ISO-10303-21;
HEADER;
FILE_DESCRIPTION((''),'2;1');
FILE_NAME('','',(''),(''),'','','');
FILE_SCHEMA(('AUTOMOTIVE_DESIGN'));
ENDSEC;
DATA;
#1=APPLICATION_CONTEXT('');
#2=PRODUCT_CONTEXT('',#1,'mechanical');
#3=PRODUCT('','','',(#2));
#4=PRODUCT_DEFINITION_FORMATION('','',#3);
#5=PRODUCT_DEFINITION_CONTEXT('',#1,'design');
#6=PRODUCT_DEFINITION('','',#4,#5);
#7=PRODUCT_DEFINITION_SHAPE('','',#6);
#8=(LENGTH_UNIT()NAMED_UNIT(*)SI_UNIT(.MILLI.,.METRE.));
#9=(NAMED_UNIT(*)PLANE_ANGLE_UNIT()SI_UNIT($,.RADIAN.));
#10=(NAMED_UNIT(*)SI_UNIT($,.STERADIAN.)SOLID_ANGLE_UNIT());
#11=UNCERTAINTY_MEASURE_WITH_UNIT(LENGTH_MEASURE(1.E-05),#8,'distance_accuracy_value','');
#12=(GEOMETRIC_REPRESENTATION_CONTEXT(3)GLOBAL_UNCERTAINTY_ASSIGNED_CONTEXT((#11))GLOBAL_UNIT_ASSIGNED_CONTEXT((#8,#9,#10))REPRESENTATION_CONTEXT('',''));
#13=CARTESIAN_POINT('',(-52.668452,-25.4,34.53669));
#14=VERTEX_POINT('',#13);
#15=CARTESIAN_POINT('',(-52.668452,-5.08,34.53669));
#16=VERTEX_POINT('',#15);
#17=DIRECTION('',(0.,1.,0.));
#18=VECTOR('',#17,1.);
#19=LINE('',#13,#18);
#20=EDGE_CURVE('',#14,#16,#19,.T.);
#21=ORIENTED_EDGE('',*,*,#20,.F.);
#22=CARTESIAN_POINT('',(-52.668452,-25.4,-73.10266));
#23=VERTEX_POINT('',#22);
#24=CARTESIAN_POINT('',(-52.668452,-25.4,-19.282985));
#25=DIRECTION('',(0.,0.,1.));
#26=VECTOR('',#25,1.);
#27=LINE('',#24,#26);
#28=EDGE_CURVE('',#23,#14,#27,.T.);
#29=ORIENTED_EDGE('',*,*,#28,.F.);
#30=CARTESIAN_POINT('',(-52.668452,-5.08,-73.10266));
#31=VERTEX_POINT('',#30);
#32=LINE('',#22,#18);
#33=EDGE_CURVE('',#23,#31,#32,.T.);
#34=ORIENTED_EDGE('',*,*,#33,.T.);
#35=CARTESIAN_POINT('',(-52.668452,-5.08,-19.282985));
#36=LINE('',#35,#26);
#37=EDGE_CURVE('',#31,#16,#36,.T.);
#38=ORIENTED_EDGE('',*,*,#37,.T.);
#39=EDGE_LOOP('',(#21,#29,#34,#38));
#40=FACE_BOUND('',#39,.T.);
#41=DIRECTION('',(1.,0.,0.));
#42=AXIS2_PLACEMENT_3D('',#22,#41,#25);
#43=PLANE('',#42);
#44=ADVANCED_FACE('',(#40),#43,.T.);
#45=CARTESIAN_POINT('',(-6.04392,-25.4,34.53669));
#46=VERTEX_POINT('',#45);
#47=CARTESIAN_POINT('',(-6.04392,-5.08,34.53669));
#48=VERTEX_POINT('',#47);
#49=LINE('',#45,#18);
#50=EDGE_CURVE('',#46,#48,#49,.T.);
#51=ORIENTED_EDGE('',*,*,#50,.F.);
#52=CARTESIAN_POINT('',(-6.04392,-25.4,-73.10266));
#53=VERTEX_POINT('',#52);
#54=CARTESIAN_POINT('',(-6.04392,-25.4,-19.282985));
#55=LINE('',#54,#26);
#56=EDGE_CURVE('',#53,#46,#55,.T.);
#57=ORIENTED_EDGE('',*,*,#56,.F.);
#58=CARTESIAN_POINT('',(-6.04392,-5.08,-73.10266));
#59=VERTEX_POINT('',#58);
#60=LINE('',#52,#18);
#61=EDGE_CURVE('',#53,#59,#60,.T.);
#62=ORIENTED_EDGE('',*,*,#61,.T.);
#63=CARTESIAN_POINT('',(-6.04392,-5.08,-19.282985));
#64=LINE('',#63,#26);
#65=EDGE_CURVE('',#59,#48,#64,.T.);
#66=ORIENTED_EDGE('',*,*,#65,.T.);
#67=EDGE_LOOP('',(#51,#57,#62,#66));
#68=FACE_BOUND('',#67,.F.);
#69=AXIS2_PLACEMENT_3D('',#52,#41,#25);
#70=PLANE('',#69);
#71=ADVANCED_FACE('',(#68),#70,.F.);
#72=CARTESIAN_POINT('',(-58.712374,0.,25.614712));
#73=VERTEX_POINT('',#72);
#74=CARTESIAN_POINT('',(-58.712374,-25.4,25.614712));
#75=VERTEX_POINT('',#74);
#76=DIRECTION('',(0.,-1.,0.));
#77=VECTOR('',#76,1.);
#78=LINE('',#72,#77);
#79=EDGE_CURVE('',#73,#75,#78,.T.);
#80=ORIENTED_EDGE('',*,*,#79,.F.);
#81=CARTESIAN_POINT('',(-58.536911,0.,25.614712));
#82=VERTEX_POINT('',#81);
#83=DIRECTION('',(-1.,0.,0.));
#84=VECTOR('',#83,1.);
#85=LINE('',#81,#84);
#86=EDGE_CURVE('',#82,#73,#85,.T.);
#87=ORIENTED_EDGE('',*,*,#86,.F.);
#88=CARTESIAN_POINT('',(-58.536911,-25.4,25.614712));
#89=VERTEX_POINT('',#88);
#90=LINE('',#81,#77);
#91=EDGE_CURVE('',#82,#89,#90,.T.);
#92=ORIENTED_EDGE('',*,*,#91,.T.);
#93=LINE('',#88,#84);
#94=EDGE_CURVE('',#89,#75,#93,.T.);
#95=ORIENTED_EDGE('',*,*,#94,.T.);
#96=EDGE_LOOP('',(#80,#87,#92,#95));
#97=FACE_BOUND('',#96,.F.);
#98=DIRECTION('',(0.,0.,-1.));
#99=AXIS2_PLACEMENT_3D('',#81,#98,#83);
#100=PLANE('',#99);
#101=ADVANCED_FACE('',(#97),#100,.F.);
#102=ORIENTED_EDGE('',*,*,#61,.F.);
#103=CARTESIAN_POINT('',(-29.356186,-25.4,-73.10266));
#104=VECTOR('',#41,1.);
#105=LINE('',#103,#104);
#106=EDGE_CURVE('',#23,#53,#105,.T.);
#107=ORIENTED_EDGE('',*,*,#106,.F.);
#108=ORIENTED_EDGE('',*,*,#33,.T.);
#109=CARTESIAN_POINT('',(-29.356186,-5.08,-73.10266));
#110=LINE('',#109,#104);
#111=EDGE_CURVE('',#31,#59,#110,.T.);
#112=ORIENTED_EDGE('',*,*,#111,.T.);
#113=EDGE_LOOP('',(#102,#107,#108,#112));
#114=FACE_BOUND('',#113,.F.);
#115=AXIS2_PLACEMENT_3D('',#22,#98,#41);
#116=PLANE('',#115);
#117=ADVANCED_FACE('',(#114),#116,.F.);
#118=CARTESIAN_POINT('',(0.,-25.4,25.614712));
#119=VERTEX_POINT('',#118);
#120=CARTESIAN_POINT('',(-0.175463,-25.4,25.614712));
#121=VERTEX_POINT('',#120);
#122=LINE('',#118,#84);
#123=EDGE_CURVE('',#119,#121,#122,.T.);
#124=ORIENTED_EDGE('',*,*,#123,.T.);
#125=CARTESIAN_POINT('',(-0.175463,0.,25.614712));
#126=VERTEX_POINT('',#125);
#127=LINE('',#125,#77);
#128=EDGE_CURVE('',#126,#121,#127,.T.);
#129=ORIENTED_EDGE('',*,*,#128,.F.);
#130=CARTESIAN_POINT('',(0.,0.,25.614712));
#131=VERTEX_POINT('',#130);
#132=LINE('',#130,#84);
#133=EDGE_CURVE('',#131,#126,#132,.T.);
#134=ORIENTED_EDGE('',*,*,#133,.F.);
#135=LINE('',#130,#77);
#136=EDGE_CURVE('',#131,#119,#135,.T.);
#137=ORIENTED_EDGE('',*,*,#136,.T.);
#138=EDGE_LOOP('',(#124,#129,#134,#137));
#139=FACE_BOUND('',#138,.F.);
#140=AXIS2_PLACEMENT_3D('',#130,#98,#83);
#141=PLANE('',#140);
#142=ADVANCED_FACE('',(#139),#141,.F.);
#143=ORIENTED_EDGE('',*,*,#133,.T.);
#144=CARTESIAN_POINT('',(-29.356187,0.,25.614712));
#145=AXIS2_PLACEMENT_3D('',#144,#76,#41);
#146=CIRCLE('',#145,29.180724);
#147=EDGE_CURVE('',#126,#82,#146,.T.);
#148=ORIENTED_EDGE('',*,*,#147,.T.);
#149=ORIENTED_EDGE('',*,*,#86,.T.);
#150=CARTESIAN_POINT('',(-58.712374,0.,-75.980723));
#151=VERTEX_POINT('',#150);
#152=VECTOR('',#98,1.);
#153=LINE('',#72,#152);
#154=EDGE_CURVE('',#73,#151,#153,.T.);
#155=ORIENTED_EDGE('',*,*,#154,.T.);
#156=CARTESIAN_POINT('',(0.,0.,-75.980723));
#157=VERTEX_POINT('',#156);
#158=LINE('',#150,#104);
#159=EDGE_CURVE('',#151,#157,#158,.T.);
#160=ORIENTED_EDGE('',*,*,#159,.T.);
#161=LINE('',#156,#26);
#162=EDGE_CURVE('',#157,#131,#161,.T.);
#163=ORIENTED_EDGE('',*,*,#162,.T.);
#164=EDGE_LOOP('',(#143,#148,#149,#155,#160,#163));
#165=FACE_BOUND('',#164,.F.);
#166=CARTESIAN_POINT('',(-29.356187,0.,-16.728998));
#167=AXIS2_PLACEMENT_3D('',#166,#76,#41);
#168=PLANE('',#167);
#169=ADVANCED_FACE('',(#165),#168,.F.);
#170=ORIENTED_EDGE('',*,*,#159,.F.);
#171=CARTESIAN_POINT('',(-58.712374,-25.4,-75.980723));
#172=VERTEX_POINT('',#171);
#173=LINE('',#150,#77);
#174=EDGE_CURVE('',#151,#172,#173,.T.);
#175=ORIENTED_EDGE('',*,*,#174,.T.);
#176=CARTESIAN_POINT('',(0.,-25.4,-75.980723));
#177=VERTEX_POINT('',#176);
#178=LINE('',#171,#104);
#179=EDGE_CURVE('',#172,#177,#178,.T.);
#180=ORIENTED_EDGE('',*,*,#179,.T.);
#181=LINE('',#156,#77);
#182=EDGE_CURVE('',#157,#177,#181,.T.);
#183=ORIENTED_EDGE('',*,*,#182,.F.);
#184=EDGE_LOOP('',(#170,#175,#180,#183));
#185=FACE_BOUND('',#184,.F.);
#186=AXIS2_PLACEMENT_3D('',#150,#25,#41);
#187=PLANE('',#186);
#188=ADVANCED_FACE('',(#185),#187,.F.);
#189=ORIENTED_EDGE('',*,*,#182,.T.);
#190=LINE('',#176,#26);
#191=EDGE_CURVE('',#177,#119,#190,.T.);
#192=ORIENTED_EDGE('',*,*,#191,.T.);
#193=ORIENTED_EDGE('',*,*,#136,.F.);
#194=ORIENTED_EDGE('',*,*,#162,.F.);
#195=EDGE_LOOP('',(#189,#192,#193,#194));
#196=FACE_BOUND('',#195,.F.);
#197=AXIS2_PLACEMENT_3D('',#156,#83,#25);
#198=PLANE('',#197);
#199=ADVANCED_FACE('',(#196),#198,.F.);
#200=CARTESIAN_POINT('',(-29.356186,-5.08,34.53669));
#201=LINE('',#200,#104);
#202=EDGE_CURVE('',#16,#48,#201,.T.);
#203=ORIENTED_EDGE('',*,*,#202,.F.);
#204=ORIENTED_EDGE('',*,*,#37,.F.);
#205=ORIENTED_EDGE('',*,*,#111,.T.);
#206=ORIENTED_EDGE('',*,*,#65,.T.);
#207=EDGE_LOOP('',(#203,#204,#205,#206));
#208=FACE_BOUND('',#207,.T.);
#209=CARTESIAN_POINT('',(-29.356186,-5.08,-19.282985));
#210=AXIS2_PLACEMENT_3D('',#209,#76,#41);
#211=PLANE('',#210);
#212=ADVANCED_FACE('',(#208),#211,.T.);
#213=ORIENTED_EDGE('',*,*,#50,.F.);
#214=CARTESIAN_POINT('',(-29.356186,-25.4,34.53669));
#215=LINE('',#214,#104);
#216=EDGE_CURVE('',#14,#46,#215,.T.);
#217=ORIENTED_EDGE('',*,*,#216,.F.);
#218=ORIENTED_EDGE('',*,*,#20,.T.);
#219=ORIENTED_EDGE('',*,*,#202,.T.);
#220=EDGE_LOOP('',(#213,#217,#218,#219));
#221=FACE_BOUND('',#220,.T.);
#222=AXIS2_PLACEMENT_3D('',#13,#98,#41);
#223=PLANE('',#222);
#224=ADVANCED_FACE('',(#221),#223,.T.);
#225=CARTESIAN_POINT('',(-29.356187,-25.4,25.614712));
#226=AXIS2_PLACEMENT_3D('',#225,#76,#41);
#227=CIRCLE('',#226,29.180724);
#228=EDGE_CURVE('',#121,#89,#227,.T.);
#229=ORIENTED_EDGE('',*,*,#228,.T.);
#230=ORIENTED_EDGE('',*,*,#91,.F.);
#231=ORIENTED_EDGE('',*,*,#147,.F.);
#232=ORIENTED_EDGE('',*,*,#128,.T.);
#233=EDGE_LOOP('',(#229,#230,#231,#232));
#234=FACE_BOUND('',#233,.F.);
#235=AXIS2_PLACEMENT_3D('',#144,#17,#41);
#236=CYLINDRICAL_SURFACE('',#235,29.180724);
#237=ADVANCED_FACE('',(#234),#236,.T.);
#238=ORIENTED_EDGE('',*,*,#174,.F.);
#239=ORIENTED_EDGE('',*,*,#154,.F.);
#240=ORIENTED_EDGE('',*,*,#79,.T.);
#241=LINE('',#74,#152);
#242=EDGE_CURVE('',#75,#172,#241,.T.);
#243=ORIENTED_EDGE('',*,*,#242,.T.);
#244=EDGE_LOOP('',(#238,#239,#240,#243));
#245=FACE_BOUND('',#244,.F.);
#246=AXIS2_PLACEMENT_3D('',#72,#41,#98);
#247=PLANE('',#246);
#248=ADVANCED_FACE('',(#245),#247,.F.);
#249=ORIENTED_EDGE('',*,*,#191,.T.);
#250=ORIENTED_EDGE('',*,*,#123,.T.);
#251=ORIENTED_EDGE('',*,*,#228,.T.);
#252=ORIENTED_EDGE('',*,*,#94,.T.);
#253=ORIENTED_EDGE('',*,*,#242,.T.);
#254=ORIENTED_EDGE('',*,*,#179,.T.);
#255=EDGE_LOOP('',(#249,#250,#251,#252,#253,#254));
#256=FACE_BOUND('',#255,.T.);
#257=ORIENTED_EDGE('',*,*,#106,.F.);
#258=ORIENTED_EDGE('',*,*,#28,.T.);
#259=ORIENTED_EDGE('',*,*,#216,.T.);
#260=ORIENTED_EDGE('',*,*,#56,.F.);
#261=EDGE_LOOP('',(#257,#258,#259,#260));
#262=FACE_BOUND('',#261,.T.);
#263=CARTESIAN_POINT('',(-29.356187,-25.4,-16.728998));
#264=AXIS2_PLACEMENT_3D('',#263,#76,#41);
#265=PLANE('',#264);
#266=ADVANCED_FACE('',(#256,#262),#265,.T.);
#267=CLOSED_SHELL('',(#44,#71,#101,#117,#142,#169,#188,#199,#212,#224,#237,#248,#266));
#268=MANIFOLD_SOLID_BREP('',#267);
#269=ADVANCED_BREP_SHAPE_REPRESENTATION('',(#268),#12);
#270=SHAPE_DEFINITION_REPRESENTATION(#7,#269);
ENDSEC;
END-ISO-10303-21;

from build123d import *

# Parameters (mm, degrees)
F1_DEPTH = 25.4
F2_W     = 46.624532
F2_H     = 107.63935
F3_DEPTH = 20.32


with BuildPart() as f1:
    # F0 (on Front) → F1 (new body)
    with BuildSketch(Plane.XZ):
        with BuildLine():
            Line((-58.536911, 25.614712), (-58.712374, 25.614712))
            Line((-58.712374, 25.614712), (-58.712374, -75.980723))
            Line((-58.712374, -75.980723), (0, -75.980723))
            Line((0, -75.980723), (0, 25.614712))
            Line((0, 25.614712), (-0.175463, 25.614712))
            ThreePointArc((-0.175463, 25.614712), (-29.356187, 54.795436), (-58.536911, 25.614712))
        make_face()
    extrude(amount=F1_DEPTH)

    # F2 (on face) → F3 (cut)
    with BuildSketch(Plane.XZ.offset(25.4)):
        with Locations((-29.356186, -19.282985)):
            Rectangle(F2_W, F2_H)
    extrude(amount=-F3_DEPTH, mode=Mode.SUBTRACT)


solid = f1.part
